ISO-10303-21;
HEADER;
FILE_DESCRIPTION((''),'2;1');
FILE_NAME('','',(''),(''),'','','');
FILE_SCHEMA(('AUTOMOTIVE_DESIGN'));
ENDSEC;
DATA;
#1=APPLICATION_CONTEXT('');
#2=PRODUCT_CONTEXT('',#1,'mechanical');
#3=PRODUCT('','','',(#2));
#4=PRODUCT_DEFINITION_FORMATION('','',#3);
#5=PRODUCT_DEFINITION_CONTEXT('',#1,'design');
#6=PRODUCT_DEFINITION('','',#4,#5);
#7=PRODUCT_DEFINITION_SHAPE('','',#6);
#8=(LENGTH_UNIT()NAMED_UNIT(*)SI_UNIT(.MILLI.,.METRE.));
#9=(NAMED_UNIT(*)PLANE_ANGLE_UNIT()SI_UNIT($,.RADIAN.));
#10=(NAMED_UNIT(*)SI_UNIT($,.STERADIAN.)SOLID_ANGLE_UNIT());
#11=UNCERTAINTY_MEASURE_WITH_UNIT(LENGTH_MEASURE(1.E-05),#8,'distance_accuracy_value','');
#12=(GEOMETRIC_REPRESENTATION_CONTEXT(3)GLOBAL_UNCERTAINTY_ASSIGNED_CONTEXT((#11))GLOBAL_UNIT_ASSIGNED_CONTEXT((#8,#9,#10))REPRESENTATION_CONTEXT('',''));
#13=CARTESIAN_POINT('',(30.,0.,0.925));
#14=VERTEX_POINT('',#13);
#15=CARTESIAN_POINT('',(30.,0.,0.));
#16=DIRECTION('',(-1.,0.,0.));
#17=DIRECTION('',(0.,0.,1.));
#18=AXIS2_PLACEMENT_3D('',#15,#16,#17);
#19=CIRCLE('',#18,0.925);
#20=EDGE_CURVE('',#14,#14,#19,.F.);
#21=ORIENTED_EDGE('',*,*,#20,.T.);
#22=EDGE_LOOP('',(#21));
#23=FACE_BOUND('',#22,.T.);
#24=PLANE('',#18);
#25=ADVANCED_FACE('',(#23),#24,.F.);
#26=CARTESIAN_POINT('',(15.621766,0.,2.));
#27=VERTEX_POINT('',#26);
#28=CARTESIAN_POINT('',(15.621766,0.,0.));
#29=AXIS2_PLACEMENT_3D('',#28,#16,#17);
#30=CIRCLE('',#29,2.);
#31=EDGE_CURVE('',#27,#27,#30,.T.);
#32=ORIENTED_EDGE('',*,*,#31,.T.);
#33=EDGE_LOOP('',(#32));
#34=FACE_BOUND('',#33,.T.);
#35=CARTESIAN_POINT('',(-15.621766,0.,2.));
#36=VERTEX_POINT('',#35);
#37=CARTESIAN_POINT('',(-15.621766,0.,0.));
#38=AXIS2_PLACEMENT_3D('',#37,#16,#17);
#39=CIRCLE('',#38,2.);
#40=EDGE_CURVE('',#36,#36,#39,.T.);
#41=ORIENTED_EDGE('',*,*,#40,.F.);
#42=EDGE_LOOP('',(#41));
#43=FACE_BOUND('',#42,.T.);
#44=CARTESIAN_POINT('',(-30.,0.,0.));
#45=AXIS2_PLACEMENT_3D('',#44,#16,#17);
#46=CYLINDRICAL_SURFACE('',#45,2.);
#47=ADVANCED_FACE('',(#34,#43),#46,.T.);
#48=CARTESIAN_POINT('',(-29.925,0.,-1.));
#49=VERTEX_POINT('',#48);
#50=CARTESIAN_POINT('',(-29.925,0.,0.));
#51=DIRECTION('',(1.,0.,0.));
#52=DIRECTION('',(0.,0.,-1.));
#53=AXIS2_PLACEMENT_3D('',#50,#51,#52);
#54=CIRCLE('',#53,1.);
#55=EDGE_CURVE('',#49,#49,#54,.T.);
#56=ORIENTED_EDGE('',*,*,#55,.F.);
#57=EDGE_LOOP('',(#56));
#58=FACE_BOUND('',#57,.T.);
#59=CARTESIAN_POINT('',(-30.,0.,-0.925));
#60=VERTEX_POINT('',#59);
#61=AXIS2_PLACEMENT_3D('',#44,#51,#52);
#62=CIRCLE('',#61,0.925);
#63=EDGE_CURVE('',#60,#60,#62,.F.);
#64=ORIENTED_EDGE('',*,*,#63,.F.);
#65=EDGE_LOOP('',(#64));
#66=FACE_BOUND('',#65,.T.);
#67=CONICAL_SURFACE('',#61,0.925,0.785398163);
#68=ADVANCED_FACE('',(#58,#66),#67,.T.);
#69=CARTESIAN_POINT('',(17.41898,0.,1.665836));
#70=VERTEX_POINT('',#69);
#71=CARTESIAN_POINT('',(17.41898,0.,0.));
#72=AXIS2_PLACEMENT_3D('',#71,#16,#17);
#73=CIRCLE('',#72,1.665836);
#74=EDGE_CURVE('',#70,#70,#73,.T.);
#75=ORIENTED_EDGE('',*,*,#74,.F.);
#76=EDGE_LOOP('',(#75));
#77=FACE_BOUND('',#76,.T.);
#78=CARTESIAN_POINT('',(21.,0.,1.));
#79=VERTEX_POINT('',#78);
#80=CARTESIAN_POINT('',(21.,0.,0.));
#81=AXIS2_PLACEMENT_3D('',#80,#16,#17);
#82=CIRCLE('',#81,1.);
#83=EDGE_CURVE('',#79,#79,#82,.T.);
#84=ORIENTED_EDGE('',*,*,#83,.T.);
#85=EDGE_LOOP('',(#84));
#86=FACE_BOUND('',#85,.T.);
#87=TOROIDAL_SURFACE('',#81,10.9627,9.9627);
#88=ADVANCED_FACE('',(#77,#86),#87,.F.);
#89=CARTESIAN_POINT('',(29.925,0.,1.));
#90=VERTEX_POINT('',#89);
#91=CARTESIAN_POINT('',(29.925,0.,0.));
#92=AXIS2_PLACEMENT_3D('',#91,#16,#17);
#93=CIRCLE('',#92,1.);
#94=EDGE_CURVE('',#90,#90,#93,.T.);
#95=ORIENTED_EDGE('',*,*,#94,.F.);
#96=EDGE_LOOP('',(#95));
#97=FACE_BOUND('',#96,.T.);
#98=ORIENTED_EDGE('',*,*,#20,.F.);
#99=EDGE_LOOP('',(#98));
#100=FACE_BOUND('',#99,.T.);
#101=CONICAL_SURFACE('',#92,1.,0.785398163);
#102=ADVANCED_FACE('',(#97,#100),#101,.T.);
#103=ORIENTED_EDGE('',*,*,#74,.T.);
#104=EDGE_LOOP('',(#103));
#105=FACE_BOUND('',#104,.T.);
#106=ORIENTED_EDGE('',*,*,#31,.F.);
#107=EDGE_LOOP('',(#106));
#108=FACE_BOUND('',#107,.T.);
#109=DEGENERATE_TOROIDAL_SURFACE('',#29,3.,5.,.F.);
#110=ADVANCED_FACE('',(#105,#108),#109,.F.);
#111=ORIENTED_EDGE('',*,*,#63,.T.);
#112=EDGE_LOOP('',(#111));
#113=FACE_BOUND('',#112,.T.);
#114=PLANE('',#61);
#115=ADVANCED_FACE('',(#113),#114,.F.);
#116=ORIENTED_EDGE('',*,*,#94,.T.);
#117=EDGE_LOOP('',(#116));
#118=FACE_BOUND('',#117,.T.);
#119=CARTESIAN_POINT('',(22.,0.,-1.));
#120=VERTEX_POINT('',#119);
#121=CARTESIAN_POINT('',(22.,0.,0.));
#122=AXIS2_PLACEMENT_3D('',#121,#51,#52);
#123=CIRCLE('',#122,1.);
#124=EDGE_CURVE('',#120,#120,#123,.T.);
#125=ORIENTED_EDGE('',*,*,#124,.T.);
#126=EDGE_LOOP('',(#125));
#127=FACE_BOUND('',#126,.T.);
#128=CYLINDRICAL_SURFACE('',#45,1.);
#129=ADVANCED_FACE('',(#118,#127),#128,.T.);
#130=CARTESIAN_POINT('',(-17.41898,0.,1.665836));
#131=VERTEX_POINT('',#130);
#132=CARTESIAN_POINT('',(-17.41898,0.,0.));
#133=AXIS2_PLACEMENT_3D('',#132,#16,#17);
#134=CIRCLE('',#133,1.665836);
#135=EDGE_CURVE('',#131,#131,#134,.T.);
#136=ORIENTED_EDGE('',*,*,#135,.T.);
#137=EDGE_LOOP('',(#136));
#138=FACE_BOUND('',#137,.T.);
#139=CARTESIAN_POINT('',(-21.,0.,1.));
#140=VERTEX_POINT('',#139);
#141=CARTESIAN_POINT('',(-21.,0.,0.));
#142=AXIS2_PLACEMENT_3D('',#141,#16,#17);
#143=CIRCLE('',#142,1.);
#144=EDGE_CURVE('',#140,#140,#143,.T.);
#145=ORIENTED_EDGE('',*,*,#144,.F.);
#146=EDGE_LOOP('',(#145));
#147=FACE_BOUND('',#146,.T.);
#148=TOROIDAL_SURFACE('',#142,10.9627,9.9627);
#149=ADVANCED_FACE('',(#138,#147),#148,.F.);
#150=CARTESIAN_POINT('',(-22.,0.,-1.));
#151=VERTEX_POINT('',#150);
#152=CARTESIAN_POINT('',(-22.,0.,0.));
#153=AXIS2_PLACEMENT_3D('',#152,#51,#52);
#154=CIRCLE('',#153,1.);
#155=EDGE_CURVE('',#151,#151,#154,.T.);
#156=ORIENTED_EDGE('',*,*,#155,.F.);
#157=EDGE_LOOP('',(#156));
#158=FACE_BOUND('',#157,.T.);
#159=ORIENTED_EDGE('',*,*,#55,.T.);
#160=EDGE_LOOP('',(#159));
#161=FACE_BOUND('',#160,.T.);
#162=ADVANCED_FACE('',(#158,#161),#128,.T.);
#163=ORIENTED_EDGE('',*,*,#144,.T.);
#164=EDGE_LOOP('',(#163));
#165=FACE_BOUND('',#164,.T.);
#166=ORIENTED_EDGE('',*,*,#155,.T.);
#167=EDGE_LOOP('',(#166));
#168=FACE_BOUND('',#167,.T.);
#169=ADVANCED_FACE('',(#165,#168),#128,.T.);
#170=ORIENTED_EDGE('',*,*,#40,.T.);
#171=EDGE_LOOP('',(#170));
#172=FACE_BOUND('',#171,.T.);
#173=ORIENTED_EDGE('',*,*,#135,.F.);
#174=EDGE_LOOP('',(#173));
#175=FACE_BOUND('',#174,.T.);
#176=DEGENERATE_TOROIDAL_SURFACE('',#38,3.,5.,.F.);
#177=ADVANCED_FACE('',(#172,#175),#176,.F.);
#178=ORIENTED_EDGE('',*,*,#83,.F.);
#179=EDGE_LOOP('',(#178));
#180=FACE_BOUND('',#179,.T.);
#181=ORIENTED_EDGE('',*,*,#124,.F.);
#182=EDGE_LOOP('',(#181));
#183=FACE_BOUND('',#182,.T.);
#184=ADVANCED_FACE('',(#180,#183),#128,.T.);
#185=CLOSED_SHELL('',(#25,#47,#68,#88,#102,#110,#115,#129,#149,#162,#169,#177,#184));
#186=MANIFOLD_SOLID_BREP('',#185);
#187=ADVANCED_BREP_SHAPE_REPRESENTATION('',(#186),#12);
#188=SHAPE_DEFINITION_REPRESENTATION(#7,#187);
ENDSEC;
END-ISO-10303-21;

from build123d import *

# Parameters (mm, degrees)
CHAMFER1_SIZE = 0.075


with BuildPart() as part:
    # Sketch1 → Revolve1 (revolve)
    with BuildSketch(Plane(origin=(0, 0, 0), x_dir=(1, 0, 0), z_dir=(0, 1, 0)), mode=Mode.PRIVATE) as revolve1_sk:
        with BuildLine():
            Line((-30, 0), (30, 0))
            Line((30, 0), (30, 1))
            Line((30, 1), (21, 1))
            ThreePointArc((21, 1), (19.178802434, 1.167873273), (17.418979879, 1.665835704))
            ThreePointArc((17.418979879, 1.665835704), (16.535774215, 1.915749105), (15.621766151, 2))
            Line((15.621766151, 2), (-15.621766151, 2))
            ThreePointArc((-15.621766151, 2), (-16.535774215, 1.915749105), (-17.418979879, 1.665835704))
            ThreePointArc((-17.418979879, 1.665835704), (-19.178802434, 1.167873273), (-21, 1))
            Line((-21, 1), (-30, 1))
            Line((-30, 1), (-30, 0))
        make_face()
    revolve(revolve1_sk.sketch.rotate(Axis((-30, 0, 0), (1, 0, 0)), 180), axis=Axis((-30, 0, 0), (1, 0, 0)))

    # Chamfer1
    chamfer1_edges = [part.edges().sort_by_distance(p)[0] for p in [
        (30, 0, -1),
        (-30, 0, -1),
    ]]
    chamfer(chamfer1_edges, length=CHAMFER1_SIZE)


solid = part.part
